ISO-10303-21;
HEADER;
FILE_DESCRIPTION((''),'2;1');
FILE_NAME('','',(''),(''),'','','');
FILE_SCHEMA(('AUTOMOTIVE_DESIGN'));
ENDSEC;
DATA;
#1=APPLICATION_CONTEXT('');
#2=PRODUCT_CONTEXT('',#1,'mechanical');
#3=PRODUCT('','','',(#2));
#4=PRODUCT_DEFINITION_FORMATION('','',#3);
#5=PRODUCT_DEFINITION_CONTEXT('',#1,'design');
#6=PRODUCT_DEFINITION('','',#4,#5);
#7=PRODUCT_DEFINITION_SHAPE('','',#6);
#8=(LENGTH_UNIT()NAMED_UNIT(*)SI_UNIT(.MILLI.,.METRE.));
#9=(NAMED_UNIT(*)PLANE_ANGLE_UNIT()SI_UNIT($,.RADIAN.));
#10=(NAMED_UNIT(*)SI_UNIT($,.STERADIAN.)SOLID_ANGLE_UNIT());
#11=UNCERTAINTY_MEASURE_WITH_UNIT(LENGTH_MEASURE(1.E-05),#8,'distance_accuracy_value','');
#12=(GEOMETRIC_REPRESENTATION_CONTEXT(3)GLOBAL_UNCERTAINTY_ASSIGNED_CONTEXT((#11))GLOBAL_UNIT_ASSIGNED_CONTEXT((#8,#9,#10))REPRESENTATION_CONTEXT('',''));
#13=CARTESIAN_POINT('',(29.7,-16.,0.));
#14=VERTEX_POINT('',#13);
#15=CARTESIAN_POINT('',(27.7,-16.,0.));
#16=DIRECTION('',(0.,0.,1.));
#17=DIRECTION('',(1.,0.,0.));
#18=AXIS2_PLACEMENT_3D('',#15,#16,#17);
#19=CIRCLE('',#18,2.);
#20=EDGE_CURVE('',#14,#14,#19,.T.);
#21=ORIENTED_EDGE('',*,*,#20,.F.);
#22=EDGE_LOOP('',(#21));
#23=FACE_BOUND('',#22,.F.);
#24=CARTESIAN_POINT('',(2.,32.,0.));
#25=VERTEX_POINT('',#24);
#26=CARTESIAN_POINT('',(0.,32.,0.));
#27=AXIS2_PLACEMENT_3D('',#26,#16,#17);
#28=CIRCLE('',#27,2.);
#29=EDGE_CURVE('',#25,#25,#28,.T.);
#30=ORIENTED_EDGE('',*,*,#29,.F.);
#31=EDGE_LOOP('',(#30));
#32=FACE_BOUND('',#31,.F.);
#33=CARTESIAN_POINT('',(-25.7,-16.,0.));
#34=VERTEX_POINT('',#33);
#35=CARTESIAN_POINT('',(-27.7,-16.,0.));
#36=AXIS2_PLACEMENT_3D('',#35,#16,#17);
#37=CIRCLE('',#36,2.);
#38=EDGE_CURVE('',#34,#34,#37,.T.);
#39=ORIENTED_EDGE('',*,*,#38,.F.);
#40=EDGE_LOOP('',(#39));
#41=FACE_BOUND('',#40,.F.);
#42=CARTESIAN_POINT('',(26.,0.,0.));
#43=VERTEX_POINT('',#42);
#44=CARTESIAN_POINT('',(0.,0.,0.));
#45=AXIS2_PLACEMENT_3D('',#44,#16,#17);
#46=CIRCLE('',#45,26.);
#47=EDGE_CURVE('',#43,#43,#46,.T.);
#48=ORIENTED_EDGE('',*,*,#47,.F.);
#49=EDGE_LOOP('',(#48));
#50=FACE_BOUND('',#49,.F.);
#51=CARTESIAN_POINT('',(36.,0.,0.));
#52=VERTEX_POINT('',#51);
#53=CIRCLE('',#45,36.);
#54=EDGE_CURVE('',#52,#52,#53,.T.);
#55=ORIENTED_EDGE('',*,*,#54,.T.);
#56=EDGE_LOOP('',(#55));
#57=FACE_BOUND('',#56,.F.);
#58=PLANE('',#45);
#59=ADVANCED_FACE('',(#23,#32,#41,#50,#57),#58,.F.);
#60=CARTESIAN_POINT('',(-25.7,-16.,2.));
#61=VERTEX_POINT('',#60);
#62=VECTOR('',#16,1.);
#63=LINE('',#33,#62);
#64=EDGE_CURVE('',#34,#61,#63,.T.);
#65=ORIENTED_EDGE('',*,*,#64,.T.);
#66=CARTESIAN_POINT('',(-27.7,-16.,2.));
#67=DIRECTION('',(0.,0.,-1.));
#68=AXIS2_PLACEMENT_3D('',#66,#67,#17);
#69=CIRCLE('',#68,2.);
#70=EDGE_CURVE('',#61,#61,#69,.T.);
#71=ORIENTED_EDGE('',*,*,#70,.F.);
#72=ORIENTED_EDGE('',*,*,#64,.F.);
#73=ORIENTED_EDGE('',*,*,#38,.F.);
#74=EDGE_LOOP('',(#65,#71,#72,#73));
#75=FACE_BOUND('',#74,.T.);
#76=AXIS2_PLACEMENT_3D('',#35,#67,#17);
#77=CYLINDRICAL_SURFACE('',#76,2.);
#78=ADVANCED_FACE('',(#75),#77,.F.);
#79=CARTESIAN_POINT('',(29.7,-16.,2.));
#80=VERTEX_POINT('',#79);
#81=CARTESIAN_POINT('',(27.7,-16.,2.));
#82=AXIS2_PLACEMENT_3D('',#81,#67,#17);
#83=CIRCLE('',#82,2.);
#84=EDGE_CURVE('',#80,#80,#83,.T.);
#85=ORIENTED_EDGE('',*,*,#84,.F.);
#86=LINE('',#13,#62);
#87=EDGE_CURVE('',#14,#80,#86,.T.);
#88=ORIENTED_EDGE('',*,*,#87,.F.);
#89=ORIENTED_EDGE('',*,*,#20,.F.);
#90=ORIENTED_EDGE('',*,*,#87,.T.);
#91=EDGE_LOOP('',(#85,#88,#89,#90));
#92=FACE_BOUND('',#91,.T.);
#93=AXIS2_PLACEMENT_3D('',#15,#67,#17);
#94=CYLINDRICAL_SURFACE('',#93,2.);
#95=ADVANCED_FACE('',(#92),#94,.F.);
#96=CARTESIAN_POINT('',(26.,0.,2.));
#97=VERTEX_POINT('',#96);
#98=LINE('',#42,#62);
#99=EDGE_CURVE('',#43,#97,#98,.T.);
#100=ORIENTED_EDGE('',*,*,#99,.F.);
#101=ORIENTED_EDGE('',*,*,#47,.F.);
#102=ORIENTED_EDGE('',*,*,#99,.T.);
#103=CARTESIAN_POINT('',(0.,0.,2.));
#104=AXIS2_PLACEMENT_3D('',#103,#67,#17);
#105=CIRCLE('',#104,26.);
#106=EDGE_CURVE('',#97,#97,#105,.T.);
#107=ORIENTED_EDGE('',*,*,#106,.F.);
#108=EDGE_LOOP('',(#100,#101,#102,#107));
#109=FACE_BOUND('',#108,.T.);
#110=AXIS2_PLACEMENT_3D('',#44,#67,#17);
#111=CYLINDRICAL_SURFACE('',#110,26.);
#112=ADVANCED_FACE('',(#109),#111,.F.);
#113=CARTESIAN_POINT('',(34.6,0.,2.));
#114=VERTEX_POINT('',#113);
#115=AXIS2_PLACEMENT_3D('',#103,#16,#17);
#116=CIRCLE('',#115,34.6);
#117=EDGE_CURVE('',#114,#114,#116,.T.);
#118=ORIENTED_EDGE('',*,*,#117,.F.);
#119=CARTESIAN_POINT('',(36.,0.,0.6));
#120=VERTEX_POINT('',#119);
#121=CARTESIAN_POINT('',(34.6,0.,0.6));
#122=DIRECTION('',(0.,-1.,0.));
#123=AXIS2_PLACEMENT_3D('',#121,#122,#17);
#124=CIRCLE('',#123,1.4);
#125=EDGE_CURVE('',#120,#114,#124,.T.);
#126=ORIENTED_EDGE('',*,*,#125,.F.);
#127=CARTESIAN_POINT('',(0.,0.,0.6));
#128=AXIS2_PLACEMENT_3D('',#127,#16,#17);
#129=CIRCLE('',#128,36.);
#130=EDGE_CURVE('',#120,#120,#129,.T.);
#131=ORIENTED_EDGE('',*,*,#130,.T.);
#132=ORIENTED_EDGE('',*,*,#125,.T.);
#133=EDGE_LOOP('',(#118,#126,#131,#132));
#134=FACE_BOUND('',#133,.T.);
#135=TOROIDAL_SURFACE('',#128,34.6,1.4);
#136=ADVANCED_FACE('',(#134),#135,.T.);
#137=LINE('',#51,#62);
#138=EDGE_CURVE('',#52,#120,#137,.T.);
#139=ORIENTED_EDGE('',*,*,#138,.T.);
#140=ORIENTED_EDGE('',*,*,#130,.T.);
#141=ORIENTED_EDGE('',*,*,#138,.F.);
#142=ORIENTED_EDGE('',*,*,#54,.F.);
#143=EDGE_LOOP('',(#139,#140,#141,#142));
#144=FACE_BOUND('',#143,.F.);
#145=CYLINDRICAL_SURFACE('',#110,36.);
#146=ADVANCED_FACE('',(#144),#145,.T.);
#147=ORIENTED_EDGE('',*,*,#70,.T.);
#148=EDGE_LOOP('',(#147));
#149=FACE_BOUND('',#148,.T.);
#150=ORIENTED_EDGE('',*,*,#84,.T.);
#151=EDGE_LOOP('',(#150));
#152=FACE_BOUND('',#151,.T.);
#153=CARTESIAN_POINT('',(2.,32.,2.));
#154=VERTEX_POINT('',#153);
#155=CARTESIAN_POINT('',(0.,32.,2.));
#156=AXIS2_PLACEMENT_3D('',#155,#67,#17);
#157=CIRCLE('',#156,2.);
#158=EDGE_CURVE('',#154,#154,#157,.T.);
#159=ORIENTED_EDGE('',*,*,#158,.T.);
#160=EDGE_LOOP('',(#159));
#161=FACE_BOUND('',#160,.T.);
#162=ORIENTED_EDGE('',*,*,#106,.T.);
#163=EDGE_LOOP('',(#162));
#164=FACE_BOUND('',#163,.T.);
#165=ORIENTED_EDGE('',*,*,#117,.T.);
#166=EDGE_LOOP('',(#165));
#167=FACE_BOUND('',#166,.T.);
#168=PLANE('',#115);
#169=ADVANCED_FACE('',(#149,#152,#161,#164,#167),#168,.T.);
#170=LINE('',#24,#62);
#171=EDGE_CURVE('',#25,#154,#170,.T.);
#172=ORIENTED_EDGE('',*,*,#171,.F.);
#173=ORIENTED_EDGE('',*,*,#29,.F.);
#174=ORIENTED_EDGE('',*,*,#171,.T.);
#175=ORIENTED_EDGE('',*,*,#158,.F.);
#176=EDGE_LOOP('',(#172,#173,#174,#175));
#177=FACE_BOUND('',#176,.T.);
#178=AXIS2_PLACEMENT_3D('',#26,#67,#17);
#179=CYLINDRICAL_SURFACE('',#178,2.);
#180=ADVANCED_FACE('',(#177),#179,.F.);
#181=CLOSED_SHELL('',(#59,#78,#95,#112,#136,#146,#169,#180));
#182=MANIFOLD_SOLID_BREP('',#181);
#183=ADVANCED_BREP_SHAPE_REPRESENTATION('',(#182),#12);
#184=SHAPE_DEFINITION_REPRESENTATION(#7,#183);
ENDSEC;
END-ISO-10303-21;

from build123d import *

# Parameters (mm, degrees)
CYLINDER005_R     = 2
CYLINDER005_DEPTH = 10
CYLINDER006_R     = 2
CYLINDER006_DEPTH = 10
CYLINDER007_R     = 2
CYLINDER007_DEPTH = 10
CYLINDER001_R     = 26
CYLINDER001_DEPTH = 10
CYLINDER_R        = 36
CYLINDER_DEPTH    = 2
FILLET_R          = 1.4


with BuildPart() as cylinder005:
    # Cylinder005 → Cylinder005 (new body)
    with BuildSketch(Plane(origin=(0, 32, 0), x_dir=(1, 0, 0), z_dir=(0, 0, 1))):
        Circle(CYLINDER005_R)
    extrude(amount=CYLINDER005_DEPTH)


with BuildPart() as cylinder006:
    # Cylinder006 → Cylinder006 (new body)
    with BuildSketch(Plane(origin=(-27.7, -16, 0), x_dir=(1, 0, 0), z_dir=(0, 0, 1))):
        Circle(CYLINDER006_R)
    extrude(amount=CYLINDER006_DEPTH)


with BuildPart() as fusion:
    # Cylinder007 → Cylinder007 (new body)
    with BuildSketch(Plane(origin=(27.7, -16, 0), x_dir=(1, 0, 0), z_dir=(0, 0, 1))):
        Circle(CYLINDER007_R)
    extrude(amount=CYLINDER007_DEPTH)

    # Fusion: union Cylinder005, Cylinder006
    add(cylinder005.part)
    add(cylinder006.part)


with BuildPart() as cylinder001:
    # Cylinder001 → Cylinder001 (new body)
    with BuildSketch(Plane.XY):
        Circle(CYLINDER001_R)
    extrude(amount=CYLINDER001_DEPTH)


with BuildPart() as f_2in_ring:
    # Cylinder → Cylinder (new body)
    with BuildSketch(Plane.XY):
        Circle(CYLINDER_R)
    extrude(amount=CYLINDER_DEPTH)

    # Cut: cut Cylinder001
    add(cylinder001.part, mode=Mode.SUBTRACT)

    # Cut001: cut Fusion
    add(fusion.part, mode=Mode.SUBTRACT)

    # Fillet
    fillet_edges = [f_2in_ring.edges().sort_by_distance(p)[0] for p in [
        (-36, 0, 2),
    ]]
    fillet(fillet_edges, radius=FILLET_R)


solid = f_2in_ring.part
